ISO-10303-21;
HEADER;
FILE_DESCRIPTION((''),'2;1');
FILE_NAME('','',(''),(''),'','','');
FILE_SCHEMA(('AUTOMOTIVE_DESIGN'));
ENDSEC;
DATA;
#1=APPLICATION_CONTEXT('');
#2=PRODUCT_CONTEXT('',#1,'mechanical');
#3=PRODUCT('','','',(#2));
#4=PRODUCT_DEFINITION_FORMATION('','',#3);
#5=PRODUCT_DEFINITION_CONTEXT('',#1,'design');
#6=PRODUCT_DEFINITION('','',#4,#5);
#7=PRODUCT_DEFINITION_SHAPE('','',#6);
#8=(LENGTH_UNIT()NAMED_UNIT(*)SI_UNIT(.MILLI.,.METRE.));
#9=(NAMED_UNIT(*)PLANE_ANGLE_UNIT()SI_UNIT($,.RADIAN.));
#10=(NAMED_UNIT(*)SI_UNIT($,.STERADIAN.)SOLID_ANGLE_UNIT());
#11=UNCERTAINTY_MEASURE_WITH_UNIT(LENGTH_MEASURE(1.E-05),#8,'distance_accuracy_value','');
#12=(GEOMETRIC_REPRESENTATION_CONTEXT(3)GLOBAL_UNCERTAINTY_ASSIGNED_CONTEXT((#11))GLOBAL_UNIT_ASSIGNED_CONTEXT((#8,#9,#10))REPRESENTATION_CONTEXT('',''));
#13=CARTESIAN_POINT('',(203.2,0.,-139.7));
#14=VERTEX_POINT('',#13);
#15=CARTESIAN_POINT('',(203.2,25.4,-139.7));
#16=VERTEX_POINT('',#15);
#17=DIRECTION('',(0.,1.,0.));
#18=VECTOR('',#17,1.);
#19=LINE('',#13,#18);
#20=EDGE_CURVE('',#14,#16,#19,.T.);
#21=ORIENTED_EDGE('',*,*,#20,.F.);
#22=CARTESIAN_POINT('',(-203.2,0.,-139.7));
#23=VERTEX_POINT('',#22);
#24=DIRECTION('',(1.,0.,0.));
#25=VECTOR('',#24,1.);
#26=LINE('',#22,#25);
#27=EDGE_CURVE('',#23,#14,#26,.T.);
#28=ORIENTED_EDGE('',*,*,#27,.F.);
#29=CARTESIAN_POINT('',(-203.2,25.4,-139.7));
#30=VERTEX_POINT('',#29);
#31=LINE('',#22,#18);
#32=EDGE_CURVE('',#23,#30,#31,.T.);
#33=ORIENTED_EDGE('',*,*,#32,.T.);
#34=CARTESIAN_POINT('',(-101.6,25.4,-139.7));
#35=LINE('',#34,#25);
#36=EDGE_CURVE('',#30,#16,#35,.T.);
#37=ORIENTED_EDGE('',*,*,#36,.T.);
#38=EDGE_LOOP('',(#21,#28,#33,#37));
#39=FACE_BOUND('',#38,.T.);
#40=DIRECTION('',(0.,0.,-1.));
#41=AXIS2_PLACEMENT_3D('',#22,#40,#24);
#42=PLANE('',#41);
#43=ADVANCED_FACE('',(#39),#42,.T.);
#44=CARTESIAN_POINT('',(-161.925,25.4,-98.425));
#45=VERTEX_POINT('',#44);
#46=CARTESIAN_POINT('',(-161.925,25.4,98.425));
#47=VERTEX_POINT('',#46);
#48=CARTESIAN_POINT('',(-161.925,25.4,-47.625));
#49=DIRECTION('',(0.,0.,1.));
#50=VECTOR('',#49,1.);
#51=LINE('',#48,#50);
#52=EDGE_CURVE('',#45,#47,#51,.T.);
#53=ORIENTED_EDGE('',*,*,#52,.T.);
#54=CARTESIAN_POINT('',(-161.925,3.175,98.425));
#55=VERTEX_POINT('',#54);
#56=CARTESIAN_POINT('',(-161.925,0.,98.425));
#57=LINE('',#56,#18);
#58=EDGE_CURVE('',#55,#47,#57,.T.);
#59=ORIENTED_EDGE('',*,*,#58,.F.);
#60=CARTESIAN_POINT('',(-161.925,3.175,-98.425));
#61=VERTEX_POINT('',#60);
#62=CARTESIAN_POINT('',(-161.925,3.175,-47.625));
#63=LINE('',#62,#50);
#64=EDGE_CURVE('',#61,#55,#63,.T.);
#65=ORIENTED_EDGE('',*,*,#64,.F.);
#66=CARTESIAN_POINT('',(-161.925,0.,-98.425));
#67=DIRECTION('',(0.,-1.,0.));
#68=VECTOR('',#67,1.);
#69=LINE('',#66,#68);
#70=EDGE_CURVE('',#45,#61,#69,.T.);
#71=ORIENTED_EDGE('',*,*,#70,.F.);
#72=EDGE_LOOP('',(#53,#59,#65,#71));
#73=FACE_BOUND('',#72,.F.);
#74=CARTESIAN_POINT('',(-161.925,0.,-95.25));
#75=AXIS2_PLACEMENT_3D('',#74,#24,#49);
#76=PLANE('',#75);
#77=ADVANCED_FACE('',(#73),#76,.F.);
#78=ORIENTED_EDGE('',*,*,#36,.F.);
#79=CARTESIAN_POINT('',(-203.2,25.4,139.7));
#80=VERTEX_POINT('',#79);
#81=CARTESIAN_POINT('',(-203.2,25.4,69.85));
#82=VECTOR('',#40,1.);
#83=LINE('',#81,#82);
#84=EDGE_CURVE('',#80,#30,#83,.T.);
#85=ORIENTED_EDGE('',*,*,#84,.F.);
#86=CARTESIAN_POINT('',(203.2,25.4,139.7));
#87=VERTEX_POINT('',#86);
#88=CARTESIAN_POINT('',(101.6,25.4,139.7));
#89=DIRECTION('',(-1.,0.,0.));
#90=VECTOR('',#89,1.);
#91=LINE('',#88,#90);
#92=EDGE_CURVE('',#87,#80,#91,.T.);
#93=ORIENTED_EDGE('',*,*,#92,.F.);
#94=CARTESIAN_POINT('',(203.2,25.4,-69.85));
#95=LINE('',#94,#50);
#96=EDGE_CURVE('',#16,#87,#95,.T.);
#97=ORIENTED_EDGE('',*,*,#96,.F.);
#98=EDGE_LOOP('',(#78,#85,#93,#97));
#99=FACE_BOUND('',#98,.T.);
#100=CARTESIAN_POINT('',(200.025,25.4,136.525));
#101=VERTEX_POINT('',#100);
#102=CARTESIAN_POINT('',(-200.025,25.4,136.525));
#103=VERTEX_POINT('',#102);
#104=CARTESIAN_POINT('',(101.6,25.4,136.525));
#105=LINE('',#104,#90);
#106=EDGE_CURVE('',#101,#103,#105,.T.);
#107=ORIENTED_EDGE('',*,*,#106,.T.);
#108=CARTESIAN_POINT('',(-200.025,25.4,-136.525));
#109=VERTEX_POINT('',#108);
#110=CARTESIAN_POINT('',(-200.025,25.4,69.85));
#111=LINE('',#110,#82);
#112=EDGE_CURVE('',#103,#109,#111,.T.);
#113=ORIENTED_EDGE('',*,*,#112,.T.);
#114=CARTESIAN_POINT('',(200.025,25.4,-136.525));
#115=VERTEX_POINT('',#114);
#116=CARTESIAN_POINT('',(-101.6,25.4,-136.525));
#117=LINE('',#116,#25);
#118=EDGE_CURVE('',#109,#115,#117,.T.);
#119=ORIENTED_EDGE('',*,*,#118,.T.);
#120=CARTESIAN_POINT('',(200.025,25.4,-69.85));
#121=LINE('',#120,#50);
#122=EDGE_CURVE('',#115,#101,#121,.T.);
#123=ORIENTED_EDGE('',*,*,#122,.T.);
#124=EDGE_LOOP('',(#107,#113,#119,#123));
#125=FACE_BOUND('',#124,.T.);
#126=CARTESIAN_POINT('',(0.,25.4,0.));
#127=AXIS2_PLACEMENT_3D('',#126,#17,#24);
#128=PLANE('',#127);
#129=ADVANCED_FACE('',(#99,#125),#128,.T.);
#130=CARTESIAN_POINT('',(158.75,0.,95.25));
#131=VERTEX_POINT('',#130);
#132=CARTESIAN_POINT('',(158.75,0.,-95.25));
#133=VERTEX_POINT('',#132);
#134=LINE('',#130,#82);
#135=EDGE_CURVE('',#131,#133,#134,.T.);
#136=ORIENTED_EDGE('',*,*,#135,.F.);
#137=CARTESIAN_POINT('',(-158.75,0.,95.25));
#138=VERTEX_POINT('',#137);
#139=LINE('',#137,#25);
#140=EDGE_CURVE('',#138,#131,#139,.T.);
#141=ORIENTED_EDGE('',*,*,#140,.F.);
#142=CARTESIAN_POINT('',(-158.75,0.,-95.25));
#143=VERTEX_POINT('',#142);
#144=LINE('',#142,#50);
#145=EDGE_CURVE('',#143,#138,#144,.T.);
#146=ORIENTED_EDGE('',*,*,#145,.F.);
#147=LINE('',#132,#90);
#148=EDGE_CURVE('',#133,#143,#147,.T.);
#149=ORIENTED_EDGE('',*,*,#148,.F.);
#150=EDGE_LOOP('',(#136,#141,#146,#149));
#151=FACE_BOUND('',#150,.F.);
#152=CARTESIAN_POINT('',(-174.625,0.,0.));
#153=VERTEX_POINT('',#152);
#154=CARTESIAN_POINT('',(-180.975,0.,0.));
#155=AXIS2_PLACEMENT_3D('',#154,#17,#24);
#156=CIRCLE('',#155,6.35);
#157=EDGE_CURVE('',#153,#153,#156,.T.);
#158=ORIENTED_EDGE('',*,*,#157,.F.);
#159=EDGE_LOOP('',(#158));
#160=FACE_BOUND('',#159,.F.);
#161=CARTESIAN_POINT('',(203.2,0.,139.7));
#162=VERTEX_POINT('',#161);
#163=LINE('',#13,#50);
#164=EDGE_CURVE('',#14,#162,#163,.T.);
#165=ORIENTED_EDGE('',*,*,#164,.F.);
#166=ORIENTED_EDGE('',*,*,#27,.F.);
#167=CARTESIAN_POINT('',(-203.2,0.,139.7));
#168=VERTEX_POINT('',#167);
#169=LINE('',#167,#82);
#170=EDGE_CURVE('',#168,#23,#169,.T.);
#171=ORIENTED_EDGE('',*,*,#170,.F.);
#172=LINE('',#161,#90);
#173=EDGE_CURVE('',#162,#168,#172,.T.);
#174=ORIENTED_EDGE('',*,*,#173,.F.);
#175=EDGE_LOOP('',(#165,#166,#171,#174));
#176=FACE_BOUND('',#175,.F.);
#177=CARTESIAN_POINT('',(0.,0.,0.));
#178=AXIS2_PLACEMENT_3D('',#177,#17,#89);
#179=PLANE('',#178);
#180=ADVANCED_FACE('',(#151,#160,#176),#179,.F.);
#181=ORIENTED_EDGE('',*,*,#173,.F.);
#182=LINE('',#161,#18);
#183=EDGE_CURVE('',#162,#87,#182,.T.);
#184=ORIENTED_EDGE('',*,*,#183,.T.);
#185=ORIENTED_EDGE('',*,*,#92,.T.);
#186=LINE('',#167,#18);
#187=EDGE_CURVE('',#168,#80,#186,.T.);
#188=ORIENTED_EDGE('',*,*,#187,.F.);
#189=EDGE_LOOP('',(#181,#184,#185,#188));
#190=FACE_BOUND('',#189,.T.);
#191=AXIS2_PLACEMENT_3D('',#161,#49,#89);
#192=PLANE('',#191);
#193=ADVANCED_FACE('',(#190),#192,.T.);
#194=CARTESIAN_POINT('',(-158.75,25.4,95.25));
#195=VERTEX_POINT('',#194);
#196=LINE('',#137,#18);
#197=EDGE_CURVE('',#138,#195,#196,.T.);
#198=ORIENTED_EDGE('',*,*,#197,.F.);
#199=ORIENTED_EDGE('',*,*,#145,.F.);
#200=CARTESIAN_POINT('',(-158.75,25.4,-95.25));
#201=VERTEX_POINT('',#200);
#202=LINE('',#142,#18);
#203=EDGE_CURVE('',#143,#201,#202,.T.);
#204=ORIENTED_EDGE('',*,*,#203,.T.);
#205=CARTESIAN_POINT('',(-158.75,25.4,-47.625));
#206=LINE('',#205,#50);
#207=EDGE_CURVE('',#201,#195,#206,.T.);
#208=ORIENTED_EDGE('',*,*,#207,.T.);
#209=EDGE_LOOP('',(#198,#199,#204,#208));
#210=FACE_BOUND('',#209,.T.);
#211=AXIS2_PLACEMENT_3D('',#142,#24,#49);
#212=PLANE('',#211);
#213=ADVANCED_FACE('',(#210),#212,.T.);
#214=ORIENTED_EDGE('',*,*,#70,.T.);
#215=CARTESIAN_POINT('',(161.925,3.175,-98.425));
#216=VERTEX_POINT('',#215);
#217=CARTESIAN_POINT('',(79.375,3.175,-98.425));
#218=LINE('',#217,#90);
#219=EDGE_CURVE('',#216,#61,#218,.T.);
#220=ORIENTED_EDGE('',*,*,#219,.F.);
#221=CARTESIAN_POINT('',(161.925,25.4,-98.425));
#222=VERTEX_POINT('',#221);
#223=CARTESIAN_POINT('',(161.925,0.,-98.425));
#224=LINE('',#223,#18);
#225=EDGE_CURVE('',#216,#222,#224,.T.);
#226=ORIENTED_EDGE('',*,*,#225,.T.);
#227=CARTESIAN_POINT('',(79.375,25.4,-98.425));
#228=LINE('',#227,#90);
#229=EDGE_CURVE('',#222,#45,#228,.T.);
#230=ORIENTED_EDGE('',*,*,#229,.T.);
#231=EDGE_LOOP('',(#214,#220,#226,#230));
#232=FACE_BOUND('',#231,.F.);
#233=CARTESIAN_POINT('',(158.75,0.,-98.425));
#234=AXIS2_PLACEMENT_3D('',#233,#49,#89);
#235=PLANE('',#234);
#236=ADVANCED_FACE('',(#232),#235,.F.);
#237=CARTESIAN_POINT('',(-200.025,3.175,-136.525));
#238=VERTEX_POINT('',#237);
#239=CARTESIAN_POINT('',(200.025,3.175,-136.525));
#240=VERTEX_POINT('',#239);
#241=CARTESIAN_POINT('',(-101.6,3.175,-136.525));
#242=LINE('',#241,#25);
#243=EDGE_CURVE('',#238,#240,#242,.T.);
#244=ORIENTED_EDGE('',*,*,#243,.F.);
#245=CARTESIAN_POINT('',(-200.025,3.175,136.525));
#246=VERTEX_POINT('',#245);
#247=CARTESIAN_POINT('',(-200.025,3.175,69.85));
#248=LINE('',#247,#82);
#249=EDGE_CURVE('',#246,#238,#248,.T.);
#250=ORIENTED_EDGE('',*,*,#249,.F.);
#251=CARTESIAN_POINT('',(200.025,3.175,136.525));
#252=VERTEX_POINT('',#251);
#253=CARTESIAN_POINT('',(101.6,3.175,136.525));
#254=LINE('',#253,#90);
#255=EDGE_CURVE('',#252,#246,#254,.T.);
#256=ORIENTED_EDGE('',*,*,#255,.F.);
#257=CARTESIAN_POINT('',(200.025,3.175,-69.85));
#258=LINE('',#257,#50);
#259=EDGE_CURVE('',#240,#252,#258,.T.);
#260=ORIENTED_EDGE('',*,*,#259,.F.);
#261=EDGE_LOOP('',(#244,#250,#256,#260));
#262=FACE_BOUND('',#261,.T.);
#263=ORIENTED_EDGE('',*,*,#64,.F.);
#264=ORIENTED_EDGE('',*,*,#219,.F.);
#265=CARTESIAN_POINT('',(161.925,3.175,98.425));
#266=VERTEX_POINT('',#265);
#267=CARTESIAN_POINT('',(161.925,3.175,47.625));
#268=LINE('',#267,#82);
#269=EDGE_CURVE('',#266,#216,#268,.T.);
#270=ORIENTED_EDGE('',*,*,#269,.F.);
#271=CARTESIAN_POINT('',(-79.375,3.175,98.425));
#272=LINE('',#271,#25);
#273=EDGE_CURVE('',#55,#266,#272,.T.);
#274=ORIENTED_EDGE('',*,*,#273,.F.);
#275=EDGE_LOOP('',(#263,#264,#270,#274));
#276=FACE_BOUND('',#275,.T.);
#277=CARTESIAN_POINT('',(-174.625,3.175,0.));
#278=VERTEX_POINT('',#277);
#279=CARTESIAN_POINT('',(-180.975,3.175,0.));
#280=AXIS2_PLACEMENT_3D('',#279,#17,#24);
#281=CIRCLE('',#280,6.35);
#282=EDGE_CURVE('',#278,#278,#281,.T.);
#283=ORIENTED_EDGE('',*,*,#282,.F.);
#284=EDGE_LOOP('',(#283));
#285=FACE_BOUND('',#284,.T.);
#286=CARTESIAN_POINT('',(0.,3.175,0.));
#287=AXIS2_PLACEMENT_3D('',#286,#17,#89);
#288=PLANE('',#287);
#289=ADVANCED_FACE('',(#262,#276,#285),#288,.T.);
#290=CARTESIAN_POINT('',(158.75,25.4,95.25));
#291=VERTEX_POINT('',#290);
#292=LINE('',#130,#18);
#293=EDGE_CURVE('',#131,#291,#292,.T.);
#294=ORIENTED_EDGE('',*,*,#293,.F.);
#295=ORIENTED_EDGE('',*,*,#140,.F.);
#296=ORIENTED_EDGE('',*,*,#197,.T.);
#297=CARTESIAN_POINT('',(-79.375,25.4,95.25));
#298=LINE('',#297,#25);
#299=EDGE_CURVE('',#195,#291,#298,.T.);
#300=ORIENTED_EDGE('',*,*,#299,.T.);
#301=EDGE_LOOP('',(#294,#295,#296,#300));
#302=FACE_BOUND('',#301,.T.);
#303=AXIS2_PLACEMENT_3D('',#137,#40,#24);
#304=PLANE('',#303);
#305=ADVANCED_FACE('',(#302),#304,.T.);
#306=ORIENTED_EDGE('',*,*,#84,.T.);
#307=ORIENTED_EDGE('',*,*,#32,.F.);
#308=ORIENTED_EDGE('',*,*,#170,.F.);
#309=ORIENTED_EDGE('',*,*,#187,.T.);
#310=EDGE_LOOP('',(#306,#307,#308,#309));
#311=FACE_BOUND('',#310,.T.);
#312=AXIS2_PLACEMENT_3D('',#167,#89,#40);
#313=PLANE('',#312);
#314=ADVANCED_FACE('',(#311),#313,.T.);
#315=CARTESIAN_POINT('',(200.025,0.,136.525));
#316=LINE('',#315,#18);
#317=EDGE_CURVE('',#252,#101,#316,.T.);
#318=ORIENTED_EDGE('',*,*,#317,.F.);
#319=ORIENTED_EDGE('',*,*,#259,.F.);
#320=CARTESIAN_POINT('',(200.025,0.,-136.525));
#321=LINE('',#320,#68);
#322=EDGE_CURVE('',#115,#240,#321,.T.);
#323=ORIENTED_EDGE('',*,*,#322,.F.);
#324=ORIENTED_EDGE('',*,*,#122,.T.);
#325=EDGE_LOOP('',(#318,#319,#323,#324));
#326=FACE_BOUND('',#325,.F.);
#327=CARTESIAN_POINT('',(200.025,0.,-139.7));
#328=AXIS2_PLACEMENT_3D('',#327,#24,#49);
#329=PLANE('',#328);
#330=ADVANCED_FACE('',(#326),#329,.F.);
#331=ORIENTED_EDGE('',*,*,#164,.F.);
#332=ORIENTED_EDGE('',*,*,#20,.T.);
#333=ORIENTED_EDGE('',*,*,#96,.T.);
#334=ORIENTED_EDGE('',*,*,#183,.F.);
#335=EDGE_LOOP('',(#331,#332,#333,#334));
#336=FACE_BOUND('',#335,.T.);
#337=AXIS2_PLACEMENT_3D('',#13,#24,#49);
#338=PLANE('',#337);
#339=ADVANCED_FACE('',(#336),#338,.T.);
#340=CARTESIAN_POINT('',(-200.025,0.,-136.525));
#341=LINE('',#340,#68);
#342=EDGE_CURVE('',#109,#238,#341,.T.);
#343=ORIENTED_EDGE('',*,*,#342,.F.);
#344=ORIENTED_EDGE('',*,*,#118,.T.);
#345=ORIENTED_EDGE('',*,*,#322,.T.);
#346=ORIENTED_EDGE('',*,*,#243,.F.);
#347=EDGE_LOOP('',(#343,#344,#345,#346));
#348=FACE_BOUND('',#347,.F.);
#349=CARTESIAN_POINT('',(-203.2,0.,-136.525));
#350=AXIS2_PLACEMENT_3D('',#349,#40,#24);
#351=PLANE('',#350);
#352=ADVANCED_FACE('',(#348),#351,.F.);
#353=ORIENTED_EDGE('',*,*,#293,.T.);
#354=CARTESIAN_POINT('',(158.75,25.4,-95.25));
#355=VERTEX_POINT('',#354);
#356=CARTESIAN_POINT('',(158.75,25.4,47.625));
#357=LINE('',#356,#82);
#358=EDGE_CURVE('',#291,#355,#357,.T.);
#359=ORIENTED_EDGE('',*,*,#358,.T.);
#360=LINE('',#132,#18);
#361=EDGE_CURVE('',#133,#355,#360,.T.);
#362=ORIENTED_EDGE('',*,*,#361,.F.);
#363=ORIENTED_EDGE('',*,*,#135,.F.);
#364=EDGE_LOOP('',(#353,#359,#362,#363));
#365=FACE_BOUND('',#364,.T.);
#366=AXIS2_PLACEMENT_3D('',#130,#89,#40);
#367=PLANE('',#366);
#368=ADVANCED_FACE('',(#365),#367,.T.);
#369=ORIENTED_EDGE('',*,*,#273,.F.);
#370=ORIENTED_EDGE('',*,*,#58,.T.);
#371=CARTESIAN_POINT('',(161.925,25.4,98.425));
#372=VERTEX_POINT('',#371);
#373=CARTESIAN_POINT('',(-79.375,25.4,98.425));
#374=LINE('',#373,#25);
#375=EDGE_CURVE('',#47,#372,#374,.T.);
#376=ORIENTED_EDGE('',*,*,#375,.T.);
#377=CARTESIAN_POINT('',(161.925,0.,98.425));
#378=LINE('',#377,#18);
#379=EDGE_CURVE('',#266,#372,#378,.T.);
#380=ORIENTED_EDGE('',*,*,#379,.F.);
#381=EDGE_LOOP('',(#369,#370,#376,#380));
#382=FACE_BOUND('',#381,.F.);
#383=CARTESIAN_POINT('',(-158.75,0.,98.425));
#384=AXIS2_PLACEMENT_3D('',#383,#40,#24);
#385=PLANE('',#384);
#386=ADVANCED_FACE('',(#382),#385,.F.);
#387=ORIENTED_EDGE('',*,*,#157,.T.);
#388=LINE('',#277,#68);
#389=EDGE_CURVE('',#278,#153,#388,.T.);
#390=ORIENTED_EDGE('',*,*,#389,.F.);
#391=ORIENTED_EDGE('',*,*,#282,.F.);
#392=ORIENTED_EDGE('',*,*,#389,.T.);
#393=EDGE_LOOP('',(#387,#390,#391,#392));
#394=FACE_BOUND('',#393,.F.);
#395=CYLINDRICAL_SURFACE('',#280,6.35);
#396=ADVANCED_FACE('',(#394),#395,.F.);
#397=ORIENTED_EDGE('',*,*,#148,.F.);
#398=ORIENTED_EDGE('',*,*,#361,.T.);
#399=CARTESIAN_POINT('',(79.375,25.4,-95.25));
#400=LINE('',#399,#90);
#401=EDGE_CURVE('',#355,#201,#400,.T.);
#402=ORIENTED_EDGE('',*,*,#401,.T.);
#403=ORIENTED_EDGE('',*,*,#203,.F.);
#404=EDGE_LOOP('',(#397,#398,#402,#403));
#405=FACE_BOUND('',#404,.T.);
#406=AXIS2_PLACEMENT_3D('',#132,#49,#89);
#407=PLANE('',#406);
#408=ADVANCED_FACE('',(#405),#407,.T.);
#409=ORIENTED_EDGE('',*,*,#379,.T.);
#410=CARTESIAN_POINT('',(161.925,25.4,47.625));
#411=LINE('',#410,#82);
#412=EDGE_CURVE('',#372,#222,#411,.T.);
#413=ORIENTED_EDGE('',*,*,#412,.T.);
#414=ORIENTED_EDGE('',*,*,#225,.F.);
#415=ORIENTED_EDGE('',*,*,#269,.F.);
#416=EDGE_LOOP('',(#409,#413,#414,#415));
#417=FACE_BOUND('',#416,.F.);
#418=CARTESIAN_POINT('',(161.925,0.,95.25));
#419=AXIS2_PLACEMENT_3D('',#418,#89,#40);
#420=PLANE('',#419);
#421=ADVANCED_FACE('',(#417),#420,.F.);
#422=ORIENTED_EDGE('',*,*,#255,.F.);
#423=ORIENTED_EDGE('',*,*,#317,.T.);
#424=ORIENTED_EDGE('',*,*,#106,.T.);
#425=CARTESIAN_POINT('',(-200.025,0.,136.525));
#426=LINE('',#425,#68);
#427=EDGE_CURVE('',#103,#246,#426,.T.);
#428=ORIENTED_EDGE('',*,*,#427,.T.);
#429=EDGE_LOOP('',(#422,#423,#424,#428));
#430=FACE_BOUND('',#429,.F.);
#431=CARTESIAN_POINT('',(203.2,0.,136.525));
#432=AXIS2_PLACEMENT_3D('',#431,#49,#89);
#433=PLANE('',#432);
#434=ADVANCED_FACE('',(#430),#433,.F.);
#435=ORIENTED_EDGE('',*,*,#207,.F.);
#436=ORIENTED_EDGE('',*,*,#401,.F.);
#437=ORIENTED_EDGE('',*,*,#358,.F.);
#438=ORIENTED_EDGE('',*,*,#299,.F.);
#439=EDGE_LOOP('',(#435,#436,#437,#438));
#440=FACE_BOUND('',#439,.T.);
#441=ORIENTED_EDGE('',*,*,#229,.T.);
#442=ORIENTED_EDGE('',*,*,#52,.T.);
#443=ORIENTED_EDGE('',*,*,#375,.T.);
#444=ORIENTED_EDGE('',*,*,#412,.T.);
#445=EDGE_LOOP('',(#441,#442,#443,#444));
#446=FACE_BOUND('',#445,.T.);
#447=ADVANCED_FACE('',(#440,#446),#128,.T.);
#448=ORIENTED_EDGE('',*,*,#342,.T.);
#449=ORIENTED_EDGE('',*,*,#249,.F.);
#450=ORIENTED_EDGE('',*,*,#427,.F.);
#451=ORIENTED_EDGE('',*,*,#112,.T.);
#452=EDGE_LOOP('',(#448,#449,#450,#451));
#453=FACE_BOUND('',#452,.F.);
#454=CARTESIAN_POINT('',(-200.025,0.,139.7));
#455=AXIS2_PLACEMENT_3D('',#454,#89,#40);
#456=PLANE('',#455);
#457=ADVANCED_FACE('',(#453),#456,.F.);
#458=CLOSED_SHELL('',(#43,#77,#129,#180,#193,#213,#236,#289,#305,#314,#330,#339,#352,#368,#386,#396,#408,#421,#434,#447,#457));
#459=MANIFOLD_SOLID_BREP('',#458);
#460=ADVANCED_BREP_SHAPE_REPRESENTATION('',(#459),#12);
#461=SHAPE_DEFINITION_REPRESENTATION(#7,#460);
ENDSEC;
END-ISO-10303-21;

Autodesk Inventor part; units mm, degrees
ref_plane "YZ Plane" through (0, 0, 0) normal (1, 0, 0) x (0, 1, 0)
ref_plane "XZ Plane" through (0, 0, 0) normal (0, 1, 0) x (-1, 0, 0)
ref_plane "XY Plane" through (0, 0, 0) normal (0, 0, 1) x (1, 0, 0)
sketch "Sketch3" plane through (0, 0, 0) normal (0, 1, 0) x (-1, 0, 0)
  line L0 (-203.2, 139.7) -> (203.2, 139.7)
  line L1 (203.2, 139.7) -> (203.2, -139.7)
  line L2 (203.2, -139.7) -> (-203.2, -139.7)
  line L3 (-203.2, -139.7) -> (-203.2, 139.7)
  line L4 (-203.2, 139.7) -> (203.2, -139.7) construction
  line L5 (203.2, 139.7) -> (-203.2, -139.7) construction
  line L6 (152.4, -88.9) -> (152.4, 88.9)
  line L7 (152.4, 88.9) -> (-152.4, 88.9)
  line L8 (-152.4, 88.9) -> (-152.4, -88.9)
  line L9 (-152.4, -88.9) -> (152.4, -88.9)
  line L10 (158.75, -95.25) -> (158.75, 95.25)
  line L11 (158.75, 95.25) -> (-158.75, 95.25)
  line L12 (-158.75, 95.25) -> (-158.75, -95.25)
  line L13 (-158.75, -95.25) -> (158.75, -95.25)
  point P0 (0, 0)
  dimension "d11" = 406.4
  dimension "d12" = 279.4
  dimension "d13" = 50.8
  dimension "d14" = 44.45
extrude "Extrusion3" add sketch "Sketch3" along normal blind 50.8 contours L0 L1 L2 L3
shell "Shell2" thickness 3.175 removed faces 1 at (52.9167, 50.8, -124.8833)
sketch "Sketch4" plane through (0, 50.8, 0) normal (0, 1, 0) x (1, 0, 0)
  line L0 (227.9599, -165.6341) -> (-227.9599, -165.6341)
  line L1 (-227.9599, -165.6341) -> (-227.9599, 165.6341)
  line L2 (-227.9599, 165.6341) -> (227.9599, 165.6341)
  line L3 (227.9599, 165.6341) -> (227.9599, -165.6341)
  line L4 (227.9599, -165.6341) -> (-227.9599, 165.6341) construction
  line L5 (-227.9599, -165.6341) -> (227.9599, 165.6341) construction
  point P0 (0, 0)
extrude "Extrusion4" cut sketch "Sketch4" against normal blind 25.4
sketch "Sketch5" plane through (-200.025, 3.175, 136.525) normal (0, 1, 0) x (1, 0, 0)
  line L0 (361.95, 234.95) -> (38.1, 234.95) projected
  line L1 (361.95, 38.1) -> (361.95, 234.95) projected
  line L2 (38.1, 38.1) -> (361.95, 38.1) projected
  line L3 (38.1, 234.95) -> (38.1, 38.1) projected
  line L4 (400.05, 0) -> (0, 0) projected
  line L5 (400.05, 273.05) -> (400.05, 0) projected
  line L6 (0, 273.05) -> (400.05, 273.05) projected
  line L7 (0, 0) -> (0, 273.05) projected
  line L8 (38.1, 38.1) -> (0, 38.1)
  line L9 (0, 38.1) -> (0, 234.95)
  line L10 (0, 234.95) -> (38.1, 234.95)
  line L11 (38.1, 234.95) -> (38.1, 38.1)
  circle A0 centre (19.05, 136.525) radius 6.35
  point P0 (200.025, 136.525)
  dimension "d20" = 12.7
extrude "Extrusion5" cut sketch "Sketch5" against normal blind 25.4 contours A0
properties part number "Catch pan" material "Aluminum 6061"
